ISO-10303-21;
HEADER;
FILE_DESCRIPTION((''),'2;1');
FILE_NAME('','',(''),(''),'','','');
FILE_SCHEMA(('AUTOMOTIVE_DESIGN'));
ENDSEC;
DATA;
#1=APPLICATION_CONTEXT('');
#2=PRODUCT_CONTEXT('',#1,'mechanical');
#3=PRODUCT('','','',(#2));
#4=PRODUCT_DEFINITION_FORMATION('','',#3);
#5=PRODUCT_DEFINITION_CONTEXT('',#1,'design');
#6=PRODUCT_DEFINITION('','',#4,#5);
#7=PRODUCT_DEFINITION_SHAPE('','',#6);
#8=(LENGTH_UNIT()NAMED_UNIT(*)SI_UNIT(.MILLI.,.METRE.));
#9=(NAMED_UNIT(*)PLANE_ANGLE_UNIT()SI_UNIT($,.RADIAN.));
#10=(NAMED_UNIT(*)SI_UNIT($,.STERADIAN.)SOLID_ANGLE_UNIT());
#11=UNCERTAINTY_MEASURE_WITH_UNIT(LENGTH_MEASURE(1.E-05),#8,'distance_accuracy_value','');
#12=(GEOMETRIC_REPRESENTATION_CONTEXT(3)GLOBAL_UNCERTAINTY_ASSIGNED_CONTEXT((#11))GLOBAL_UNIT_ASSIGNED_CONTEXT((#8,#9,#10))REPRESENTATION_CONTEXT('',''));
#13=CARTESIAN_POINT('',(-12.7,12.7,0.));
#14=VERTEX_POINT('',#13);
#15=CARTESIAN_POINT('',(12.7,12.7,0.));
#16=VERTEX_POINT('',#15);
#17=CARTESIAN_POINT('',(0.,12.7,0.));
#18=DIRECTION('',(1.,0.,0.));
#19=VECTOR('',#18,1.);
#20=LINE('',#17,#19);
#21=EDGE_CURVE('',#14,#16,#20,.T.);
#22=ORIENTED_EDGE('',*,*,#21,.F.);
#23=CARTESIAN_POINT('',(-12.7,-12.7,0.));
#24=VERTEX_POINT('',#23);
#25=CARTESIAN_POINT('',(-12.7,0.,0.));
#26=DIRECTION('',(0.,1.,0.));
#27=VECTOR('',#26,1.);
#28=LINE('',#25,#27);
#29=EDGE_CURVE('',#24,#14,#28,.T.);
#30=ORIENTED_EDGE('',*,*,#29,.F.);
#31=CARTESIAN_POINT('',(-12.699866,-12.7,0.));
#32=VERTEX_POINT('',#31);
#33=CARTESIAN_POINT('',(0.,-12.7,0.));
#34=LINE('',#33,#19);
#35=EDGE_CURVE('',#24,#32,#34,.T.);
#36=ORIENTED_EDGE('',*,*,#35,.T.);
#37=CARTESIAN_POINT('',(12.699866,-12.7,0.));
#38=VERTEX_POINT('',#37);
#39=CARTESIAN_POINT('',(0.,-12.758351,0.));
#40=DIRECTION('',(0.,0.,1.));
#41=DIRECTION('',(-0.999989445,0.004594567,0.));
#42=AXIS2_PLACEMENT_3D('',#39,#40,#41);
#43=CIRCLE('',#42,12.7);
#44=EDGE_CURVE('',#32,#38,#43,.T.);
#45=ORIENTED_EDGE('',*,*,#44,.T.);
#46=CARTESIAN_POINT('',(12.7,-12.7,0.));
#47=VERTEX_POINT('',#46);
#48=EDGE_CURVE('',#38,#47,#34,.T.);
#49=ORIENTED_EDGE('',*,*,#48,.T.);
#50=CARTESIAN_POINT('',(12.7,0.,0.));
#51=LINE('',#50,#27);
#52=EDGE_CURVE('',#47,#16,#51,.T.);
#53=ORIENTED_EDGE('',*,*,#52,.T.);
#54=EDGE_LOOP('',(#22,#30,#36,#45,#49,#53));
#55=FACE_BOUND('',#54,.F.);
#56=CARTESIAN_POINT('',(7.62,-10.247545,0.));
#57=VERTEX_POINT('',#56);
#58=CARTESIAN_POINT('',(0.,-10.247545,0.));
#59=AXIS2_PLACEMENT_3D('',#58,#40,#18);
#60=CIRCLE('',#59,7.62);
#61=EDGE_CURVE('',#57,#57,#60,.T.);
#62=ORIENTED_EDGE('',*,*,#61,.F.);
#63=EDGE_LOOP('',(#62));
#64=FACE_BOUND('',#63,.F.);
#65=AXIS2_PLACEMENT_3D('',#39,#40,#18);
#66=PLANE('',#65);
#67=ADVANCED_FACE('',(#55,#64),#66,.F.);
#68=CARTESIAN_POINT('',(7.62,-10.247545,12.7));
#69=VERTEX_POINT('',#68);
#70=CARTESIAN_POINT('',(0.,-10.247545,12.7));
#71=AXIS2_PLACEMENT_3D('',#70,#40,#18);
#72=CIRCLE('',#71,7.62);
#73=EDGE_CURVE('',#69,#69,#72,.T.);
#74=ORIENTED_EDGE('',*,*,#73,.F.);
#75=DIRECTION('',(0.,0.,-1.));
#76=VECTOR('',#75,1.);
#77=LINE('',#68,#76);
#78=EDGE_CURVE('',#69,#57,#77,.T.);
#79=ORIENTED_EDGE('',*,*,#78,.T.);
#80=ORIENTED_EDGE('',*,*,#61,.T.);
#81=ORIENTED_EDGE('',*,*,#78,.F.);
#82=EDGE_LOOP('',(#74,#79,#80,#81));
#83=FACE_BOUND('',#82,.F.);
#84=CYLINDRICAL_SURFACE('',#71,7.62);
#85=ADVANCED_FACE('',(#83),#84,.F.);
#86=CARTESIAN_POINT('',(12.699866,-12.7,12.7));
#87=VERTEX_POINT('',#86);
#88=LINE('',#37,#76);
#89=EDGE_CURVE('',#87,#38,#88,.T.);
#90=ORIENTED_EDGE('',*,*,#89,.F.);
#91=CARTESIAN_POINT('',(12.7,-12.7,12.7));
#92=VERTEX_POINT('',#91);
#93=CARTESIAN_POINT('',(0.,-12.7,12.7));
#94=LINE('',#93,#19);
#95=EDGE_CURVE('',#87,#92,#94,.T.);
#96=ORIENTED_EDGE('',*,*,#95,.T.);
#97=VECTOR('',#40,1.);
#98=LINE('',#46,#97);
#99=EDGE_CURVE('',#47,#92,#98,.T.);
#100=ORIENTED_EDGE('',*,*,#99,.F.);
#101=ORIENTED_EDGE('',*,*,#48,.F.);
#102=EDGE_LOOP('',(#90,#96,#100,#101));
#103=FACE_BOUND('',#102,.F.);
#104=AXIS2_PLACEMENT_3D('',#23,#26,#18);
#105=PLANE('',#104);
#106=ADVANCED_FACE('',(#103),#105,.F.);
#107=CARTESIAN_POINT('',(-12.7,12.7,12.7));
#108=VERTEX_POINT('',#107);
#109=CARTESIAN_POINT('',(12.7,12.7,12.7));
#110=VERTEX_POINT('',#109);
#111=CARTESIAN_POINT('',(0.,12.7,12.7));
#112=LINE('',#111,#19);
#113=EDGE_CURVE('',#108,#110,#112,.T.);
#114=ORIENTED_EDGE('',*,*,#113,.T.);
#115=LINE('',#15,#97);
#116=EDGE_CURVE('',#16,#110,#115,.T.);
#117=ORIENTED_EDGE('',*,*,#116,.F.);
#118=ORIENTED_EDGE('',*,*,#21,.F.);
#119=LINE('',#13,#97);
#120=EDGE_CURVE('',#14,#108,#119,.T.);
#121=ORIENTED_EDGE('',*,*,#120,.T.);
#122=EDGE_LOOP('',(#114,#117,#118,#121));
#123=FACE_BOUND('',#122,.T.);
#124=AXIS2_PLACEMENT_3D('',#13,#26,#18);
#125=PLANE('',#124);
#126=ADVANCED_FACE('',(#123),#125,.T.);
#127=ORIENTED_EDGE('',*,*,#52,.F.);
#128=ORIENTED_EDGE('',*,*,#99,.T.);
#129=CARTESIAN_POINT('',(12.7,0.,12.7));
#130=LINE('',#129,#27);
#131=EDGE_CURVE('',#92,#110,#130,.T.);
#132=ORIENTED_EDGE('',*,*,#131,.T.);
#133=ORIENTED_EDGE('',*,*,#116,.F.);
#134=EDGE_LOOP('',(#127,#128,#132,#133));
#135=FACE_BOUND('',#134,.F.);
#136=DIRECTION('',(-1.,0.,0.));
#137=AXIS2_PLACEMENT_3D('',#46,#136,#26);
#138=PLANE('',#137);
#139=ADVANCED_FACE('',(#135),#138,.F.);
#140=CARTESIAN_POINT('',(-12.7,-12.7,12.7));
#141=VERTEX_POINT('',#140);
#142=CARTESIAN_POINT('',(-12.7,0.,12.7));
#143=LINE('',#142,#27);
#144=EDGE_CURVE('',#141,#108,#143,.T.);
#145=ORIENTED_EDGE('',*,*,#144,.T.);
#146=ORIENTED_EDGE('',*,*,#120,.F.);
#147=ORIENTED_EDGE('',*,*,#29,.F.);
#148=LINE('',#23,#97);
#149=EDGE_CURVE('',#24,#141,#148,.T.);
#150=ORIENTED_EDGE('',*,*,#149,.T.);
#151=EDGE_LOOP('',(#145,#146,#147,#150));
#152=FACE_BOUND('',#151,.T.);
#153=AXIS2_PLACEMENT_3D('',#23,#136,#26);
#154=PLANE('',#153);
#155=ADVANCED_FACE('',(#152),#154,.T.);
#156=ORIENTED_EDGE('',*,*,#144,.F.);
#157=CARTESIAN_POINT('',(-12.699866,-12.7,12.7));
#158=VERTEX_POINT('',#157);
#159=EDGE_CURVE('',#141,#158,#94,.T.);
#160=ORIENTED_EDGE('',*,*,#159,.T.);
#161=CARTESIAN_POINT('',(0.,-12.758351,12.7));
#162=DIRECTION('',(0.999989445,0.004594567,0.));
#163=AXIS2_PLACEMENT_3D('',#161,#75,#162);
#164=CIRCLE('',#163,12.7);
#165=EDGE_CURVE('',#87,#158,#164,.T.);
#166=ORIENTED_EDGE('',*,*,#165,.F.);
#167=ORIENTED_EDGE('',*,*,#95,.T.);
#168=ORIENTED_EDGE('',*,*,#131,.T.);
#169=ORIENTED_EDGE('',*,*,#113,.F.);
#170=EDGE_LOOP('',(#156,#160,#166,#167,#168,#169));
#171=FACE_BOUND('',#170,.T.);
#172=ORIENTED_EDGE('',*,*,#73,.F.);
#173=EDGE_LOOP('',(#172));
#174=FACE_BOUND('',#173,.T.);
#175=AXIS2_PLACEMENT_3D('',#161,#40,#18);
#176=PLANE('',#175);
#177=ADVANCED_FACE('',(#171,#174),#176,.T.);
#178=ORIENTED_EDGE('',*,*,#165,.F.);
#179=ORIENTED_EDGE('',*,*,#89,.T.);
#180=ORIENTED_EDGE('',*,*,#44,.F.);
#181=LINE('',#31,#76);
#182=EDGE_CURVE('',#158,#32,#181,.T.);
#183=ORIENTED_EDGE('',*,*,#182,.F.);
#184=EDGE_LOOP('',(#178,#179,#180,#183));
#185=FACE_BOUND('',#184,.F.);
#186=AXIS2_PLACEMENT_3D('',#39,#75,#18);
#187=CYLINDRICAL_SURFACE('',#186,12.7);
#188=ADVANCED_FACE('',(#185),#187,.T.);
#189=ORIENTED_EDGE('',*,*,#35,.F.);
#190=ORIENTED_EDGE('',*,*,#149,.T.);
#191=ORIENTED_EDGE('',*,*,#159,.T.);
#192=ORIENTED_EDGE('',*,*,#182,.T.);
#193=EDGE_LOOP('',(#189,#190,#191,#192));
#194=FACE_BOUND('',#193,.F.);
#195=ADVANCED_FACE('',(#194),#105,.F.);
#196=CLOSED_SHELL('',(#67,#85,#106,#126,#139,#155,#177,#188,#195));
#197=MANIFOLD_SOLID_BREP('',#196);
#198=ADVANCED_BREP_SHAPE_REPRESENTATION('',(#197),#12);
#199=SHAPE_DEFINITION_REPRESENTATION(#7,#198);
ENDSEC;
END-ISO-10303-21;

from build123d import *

# Parameters (mm, degrees)
F0_W     = 25.4
F0_H     = 25.4
F1_DEPTH = 12.7
F2_R     = 12.7
F3_DEPTH = 12.7
F4_R     = 7.62
F5_DEPTH = 12.701


with BuildPart() as f1:
    # F0 (on Top) → F1 (new body)
    with BuildSketch(Plane.XY):
        Rectangle(F0_W, F0_H)
    extrude(amount=F1_DEPTH)

    # F2 (on Top) → F3 (join)
    with BuildSketch(Plane.XY):
        with Locations((0, -12.758351)):
            Circle(F2_R)
    extrude(amount=F3_DEPTH)

    # F4 (on face) → F5 (cut, through all)
    with BuildSketch(Plane.XY.offset(12.7)):
        with Locations((0, -10.247545)):
            Circle(F4_R)
    extrude(amount=-F5_DEPTH, mode=Mode.SUBTRACT)


solid = f1.part
